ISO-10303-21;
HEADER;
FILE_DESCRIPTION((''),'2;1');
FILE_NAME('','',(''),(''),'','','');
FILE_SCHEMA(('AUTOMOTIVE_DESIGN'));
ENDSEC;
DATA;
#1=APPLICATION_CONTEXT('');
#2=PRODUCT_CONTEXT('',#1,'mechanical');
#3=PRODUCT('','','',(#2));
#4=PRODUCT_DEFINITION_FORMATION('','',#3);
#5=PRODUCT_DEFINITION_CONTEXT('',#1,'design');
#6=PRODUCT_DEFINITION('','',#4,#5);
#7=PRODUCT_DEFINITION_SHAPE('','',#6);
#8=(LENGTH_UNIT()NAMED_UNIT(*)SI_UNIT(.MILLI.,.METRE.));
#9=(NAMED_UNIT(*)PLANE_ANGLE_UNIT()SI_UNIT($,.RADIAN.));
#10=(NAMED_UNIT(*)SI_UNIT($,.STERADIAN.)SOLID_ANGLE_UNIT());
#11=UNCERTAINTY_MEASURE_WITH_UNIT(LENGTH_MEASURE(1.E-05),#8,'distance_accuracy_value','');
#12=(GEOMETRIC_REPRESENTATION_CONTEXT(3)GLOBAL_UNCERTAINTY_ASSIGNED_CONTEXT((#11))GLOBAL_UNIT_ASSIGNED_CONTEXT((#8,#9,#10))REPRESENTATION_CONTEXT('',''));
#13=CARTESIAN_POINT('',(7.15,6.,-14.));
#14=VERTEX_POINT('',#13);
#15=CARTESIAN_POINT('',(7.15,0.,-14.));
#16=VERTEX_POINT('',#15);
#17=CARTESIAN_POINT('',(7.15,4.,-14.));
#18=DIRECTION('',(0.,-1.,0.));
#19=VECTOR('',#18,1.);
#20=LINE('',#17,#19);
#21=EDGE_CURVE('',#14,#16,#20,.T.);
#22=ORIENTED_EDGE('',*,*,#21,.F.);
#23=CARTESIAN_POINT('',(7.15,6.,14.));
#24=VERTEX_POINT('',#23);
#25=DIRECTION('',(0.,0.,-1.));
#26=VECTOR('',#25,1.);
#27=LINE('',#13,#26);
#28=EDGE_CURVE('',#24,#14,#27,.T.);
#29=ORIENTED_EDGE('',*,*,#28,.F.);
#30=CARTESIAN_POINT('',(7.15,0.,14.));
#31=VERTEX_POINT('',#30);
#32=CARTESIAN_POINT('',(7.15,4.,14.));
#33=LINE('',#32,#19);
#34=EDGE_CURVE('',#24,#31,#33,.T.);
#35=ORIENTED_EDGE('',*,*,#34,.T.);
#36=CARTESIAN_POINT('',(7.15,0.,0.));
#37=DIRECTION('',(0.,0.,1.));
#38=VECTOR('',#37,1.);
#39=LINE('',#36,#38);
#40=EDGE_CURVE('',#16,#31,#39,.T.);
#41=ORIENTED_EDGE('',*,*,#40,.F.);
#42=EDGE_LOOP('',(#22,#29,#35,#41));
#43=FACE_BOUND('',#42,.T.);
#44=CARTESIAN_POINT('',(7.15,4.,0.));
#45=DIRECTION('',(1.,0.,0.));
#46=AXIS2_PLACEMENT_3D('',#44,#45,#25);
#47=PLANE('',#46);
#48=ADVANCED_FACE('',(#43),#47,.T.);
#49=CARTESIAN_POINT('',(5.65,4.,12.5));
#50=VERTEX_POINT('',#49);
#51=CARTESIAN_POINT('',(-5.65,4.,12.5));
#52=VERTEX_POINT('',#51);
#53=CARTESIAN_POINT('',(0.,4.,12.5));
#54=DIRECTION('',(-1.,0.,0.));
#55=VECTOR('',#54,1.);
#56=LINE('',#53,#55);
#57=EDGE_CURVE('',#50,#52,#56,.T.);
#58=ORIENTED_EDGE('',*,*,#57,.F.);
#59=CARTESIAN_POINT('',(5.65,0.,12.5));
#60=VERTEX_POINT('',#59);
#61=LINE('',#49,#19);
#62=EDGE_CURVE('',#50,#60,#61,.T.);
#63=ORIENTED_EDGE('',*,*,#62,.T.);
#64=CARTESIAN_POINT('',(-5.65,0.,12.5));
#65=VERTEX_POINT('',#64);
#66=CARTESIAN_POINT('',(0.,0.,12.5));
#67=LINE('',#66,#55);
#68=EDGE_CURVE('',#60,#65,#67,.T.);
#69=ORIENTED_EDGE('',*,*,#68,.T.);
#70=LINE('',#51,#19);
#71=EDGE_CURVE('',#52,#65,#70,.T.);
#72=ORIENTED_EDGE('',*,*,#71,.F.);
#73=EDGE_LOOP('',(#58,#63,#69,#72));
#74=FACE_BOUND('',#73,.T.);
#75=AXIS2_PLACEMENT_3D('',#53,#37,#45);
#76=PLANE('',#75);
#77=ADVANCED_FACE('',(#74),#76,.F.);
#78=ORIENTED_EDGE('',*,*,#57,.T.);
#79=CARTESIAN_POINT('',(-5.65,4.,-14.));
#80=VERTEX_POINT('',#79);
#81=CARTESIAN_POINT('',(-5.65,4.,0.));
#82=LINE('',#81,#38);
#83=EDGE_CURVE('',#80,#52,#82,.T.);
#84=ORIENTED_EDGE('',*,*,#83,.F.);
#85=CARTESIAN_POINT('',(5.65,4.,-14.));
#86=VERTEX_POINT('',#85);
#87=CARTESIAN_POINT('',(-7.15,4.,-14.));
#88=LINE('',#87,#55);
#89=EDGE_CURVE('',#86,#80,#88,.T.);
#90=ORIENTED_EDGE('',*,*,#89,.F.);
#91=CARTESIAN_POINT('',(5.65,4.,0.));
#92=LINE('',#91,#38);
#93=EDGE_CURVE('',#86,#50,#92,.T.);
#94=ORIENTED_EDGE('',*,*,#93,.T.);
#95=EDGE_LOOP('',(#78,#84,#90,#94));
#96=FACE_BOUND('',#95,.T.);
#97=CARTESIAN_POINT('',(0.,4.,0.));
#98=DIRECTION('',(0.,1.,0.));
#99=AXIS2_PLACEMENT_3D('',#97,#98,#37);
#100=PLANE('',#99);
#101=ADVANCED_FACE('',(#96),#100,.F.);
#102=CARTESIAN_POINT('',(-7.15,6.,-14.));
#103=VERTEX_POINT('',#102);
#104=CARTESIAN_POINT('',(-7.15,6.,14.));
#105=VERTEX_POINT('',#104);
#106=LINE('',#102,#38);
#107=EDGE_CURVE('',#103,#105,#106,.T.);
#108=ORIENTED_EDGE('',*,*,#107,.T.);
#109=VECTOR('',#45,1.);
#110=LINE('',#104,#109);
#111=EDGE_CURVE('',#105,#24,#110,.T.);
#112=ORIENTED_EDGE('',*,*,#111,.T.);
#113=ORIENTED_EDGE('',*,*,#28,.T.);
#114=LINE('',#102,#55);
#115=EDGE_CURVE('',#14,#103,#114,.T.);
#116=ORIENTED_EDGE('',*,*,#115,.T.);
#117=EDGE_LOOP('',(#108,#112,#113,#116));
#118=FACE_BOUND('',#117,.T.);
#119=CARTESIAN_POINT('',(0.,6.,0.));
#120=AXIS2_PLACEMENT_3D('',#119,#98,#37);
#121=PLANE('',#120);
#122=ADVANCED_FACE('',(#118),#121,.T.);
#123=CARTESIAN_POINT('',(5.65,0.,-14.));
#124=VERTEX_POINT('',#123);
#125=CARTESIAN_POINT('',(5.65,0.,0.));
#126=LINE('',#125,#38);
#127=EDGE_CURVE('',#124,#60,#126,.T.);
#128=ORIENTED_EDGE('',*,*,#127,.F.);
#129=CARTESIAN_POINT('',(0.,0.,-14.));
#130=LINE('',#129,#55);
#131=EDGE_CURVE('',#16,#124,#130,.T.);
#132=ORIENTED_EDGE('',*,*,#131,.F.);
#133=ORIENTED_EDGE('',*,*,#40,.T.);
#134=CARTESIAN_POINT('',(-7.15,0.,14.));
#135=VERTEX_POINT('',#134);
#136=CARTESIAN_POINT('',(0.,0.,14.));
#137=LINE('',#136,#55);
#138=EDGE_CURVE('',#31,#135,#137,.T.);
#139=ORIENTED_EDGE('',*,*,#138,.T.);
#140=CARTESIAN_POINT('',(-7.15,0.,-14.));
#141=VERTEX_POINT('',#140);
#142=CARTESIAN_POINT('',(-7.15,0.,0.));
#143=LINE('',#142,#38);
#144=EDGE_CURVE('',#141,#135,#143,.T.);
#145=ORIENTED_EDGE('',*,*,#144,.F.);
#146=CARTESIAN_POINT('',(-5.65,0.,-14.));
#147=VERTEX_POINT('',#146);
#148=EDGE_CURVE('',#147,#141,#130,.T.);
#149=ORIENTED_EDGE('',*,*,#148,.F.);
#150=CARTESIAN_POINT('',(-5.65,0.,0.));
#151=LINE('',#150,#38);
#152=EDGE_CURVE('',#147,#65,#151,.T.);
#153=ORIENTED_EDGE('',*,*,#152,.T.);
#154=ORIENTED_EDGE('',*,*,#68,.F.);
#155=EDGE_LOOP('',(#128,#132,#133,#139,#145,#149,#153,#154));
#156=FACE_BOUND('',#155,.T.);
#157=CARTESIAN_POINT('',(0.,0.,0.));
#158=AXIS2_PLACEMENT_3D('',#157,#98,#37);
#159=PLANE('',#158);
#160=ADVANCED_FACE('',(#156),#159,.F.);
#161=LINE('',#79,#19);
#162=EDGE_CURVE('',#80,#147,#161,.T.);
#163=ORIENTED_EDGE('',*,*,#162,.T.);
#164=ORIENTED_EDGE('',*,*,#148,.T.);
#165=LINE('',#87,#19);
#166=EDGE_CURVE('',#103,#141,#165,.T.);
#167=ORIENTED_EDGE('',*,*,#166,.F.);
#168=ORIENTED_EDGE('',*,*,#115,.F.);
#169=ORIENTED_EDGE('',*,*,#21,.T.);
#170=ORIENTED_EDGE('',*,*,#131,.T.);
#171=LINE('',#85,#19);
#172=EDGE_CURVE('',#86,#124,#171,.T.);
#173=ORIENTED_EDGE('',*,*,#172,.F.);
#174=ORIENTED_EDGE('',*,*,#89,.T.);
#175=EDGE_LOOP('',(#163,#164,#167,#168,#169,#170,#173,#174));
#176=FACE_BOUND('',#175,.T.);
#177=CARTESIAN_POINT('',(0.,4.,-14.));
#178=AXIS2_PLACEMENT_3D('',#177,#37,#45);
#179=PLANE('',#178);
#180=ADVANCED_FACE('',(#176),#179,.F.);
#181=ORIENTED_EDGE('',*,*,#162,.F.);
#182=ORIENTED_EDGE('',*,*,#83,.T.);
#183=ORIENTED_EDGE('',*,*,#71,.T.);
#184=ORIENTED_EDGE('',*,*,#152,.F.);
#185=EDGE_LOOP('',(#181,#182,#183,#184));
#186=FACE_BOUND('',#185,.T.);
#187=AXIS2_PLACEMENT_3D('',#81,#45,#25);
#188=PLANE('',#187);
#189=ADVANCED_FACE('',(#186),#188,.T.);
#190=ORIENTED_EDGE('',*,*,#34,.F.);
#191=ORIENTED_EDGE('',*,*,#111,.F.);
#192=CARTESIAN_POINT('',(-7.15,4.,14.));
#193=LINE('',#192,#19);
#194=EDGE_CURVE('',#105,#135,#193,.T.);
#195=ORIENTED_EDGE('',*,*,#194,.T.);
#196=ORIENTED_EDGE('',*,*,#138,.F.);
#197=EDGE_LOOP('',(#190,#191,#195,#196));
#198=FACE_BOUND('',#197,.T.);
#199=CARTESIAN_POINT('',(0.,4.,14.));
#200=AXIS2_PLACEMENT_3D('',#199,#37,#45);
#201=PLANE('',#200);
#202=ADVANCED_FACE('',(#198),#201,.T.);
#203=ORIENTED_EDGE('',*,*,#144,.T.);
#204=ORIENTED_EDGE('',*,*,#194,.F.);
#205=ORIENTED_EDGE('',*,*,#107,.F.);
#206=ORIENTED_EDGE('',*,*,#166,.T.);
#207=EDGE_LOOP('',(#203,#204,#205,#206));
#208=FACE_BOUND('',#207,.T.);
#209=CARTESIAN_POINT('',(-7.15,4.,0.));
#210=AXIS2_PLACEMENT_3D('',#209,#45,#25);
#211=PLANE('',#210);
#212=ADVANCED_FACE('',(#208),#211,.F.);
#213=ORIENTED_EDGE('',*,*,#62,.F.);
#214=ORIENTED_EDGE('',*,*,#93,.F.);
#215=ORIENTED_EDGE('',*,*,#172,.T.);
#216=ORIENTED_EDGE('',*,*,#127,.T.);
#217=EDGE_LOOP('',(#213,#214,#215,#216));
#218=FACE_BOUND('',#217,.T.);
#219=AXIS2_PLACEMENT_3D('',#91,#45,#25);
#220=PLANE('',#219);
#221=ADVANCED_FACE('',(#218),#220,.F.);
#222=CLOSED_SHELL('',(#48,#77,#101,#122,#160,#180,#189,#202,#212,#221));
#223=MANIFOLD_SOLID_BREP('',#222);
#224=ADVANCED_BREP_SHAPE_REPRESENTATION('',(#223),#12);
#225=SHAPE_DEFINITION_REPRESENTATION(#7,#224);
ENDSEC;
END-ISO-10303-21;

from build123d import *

# Parameters (mm, degrees)
BOSS_EXTRUDE1_DEPTH = 4
SKETCH2_W           = 14.3
SKETCH2_H           = 28
BOSS_EXTRUDE2_DEPTH = 2


with BuildPart() as part:
    # Sketch1 → Boss-Extrude1 (new body)
    with BuildSketch(Plane(origin=(0, 0, 0), x_dir=(1, 0, 0), z_dir=(0, 1, 0))):
        Polygon((-5.65, -12.5), (-5.65, 12.5), (-5.65, 14), (-7.15, 14), (-7.15, -14), (7.15, -14), (7.15, 14), (5.65, 14), (5.65, 12.5), (5.65, -12.5), align=None)
    extrude(amount=BOSS_EXTRUDE1_DEPTH)

    # Sketch2 → Boss-Extrude2 (add)
    with BuildSketch(Plane(origin=(0, 4, 0), x_dir=(1, 0, 0), z_dir=(0, 1, 0))):
        Rectangle(SKETCH2_W, SKETCH2_H)
    extrude(amount=BOSS_EXTRUDE2_DEPTH)


solid = part.part
